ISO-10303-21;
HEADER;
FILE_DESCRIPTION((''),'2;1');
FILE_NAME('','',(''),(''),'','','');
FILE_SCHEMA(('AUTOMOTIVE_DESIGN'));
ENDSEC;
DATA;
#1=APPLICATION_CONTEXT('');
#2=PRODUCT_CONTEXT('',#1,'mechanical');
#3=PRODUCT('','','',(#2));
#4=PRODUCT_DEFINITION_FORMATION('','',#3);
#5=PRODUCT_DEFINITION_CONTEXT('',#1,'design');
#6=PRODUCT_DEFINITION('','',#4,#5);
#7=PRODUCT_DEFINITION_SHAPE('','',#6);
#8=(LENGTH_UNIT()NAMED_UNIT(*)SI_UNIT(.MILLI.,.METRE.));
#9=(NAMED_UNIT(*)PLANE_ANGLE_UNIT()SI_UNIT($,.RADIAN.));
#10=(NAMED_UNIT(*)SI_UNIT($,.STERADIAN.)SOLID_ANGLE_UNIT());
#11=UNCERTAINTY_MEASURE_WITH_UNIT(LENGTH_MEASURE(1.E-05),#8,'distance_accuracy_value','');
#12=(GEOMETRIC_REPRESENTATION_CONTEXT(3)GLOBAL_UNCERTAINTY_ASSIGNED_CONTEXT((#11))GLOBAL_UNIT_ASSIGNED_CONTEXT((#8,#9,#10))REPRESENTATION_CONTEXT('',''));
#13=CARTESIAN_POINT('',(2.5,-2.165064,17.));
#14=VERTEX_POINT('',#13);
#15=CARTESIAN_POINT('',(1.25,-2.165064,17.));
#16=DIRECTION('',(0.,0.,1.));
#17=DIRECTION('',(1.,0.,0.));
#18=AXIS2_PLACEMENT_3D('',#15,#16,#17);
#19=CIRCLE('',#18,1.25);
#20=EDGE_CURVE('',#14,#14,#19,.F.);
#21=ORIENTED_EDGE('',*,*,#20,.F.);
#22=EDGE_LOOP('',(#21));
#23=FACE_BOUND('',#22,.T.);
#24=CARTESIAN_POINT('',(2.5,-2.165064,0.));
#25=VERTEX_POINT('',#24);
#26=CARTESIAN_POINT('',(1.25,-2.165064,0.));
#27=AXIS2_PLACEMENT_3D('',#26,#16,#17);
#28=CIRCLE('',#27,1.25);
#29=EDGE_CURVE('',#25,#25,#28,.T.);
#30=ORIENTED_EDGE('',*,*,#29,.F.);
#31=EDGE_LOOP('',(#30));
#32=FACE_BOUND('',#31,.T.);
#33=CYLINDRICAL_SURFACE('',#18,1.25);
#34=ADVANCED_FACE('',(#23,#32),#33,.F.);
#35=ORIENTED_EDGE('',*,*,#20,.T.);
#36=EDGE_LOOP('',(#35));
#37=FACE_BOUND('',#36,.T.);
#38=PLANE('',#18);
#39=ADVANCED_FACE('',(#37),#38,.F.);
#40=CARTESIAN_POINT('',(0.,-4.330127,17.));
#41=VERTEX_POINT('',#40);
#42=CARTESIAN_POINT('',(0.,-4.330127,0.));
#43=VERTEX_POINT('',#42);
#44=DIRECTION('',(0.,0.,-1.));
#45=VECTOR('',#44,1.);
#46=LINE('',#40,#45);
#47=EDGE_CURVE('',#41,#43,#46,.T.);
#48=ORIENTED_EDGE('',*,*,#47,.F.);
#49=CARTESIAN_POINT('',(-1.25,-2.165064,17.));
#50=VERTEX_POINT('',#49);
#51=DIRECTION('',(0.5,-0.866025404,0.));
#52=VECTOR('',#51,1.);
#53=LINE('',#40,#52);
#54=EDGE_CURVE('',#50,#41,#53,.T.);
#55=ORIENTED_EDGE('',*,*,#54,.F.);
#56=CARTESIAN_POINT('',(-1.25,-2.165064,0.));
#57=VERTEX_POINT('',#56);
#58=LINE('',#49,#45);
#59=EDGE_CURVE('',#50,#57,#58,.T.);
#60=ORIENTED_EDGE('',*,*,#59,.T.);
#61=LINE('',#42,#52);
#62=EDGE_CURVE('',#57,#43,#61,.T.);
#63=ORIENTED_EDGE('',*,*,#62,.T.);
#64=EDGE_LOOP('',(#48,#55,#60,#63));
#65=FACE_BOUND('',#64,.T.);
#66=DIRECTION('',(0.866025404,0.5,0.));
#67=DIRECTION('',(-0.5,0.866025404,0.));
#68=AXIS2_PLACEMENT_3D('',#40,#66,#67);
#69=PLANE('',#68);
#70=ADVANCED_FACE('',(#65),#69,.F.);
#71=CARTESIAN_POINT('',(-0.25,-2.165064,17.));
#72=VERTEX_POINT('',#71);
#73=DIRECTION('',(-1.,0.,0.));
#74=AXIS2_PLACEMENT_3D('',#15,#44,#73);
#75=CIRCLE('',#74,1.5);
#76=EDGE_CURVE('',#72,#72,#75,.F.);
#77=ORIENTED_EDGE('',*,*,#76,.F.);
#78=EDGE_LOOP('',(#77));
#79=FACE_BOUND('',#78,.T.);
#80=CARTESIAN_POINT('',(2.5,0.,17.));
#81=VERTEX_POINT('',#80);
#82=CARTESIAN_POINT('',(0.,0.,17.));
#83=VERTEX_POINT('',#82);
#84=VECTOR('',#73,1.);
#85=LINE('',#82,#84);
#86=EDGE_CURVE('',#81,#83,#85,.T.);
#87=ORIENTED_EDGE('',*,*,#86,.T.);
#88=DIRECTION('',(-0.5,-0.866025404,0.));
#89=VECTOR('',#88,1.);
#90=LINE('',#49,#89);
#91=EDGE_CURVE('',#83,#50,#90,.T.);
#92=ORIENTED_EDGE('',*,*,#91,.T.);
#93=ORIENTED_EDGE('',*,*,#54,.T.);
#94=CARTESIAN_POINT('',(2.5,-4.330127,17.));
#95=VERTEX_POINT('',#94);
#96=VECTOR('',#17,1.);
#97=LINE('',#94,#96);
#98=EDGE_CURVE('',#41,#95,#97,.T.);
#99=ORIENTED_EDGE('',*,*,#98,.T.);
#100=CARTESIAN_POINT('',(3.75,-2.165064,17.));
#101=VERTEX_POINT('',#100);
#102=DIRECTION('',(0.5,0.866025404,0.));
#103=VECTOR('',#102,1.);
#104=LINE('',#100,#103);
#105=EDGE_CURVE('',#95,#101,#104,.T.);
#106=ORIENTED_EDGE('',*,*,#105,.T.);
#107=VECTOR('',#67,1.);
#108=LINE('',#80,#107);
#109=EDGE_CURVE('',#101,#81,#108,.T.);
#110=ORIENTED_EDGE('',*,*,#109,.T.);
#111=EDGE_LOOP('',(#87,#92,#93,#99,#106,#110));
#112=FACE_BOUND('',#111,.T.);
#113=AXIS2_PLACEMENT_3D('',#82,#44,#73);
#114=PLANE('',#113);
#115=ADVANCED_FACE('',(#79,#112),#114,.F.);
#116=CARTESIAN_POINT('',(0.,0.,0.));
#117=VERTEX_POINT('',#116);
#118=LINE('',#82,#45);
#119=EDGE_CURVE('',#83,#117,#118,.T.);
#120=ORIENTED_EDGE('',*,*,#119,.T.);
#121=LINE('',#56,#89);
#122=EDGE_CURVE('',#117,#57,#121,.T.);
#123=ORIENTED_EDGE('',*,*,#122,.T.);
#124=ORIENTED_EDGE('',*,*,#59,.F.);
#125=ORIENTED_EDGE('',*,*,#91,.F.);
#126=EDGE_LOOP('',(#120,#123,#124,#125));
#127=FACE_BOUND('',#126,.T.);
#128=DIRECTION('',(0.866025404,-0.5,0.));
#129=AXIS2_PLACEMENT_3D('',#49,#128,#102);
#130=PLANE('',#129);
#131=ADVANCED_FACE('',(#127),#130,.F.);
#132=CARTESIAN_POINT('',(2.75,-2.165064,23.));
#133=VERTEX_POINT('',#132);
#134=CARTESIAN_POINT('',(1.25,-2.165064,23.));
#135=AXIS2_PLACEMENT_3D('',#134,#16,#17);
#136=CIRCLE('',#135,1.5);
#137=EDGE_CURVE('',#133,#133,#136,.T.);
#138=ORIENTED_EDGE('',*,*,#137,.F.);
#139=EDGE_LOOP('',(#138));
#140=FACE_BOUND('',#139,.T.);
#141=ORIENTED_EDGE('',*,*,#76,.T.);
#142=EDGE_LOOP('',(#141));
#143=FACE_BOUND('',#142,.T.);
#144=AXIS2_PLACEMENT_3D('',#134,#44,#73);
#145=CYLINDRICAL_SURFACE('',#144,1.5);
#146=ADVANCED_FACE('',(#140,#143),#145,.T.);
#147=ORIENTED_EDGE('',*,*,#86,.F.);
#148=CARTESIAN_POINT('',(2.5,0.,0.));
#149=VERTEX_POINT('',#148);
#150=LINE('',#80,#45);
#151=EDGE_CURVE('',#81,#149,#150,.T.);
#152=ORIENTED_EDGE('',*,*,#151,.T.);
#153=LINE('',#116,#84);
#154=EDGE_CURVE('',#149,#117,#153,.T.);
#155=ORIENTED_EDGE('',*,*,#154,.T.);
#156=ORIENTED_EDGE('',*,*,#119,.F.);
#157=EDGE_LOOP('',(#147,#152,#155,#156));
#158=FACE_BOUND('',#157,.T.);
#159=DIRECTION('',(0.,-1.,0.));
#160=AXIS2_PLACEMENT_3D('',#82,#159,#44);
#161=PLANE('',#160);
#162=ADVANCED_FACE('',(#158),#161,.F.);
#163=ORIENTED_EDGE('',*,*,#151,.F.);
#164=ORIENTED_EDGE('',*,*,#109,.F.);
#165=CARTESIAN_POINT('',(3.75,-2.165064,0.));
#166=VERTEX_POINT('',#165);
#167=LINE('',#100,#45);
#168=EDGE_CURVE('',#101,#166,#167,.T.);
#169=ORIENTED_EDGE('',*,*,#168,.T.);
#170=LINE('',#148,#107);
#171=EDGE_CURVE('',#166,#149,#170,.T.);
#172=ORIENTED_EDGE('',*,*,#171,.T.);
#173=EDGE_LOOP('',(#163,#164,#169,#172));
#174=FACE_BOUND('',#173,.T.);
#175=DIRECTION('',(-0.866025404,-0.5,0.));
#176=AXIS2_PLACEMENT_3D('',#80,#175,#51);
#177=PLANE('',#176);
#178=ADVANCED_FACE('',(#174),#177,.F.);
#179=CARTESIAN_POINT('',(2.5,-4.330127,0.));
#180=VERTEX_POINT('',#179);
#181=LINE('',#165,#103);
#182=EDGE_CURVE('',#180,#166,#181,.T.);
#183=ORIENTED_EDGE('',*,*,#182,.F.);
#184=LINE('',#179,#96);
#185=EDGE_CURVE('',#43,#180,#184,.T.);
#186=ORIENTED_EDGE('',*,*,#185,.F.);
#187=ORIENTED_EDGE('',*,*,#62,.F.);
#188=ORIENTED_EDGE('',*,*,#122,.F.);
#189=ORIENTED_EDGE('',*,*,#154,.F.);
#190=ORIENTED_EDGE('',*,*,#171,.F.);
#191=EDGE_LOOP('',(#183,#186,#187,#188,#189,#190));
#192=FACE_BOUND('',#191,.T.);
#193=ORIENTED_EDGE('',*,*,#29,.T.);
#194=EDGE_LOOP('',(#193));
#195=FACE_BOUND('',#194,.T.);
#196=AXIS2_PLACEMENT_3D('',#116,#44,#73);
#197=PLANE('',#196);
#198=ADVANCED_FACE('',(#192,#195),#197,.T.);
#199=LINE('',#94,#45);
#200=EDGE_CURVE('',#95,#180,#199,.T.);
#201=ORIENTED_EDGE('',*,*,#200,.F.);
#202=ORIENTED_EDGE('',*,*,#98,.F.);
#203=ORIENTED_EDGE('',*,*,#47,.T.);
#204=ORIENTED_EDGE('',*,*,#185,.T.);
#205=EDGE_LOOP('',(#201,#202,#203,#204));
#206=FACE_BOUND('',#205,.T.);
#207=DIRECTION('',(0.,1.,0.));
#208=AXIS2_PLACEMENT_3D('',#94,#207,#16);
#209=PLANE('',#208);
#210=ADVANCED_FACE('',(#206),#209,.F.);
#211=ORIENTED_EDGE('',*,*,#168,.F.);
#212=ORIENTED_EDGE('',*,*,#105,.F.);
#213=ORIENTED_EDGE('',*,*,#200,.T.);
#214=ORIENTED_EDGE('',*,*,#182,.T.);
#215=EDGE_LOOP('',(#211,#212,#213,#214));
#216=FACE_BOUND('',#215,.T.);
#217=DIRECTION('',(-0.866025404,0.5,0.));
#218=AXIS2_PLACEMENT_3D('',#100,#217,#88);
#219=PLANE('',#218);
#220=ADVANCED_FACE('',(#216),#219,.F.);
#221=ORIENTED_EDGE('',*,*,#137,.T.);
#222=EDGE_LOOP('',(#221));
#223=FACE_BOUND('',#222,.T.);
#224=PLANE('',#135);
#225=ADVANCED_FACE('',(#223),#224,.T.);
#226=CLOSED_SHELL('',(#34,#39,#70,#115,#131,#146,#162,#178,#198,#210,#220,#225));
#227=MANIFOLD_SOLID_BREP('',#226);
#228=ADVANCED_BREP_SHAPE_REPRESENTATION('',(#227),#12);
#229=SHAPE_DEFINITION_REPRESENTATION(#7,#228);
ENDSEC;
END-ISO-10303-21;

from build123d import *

# Parameters (mm, degrees)
EXTRUDE_1_DEPTH    = 17
HOLE_WIZARD_M3_1_D = 2.5
SKETCH_4_R         = 1.5
EXTRUDE_2_DEPTH    = 6


with BuildPart() as part:
    # 草图1 → 凸台-拉伸1 (new body)
    with BuildSketch(Plane.XY):
        Polygon((0, 0), (2.5, 0), (3.75, -2.165063509), (2.5, -4.330127019), (0, -4.330127019), (-1.25, -2.165063509), align=None)
    extrude(amount=EXTRUDE_1_DEPTH)

    # M3 螺纹孔1 (through all)
    with Locations(Plane.XY.offset(17)):
        with Locations((1.25, -2.165063509)):
            Hole(HOLE_WIZARD_M3_1_D / 2)

    # 草图4 → 凸台-拉伸2 (add)
    with BuildSketch(Plane.XY.offset(17)):
        with Locations(Location((1.25, -2.165063509, 0), (0, 0, 180))):
            Circle(SKETCH_4_R)
    extrude(amount=EXTRUDE_2_DEPTH)


solid = part.part
